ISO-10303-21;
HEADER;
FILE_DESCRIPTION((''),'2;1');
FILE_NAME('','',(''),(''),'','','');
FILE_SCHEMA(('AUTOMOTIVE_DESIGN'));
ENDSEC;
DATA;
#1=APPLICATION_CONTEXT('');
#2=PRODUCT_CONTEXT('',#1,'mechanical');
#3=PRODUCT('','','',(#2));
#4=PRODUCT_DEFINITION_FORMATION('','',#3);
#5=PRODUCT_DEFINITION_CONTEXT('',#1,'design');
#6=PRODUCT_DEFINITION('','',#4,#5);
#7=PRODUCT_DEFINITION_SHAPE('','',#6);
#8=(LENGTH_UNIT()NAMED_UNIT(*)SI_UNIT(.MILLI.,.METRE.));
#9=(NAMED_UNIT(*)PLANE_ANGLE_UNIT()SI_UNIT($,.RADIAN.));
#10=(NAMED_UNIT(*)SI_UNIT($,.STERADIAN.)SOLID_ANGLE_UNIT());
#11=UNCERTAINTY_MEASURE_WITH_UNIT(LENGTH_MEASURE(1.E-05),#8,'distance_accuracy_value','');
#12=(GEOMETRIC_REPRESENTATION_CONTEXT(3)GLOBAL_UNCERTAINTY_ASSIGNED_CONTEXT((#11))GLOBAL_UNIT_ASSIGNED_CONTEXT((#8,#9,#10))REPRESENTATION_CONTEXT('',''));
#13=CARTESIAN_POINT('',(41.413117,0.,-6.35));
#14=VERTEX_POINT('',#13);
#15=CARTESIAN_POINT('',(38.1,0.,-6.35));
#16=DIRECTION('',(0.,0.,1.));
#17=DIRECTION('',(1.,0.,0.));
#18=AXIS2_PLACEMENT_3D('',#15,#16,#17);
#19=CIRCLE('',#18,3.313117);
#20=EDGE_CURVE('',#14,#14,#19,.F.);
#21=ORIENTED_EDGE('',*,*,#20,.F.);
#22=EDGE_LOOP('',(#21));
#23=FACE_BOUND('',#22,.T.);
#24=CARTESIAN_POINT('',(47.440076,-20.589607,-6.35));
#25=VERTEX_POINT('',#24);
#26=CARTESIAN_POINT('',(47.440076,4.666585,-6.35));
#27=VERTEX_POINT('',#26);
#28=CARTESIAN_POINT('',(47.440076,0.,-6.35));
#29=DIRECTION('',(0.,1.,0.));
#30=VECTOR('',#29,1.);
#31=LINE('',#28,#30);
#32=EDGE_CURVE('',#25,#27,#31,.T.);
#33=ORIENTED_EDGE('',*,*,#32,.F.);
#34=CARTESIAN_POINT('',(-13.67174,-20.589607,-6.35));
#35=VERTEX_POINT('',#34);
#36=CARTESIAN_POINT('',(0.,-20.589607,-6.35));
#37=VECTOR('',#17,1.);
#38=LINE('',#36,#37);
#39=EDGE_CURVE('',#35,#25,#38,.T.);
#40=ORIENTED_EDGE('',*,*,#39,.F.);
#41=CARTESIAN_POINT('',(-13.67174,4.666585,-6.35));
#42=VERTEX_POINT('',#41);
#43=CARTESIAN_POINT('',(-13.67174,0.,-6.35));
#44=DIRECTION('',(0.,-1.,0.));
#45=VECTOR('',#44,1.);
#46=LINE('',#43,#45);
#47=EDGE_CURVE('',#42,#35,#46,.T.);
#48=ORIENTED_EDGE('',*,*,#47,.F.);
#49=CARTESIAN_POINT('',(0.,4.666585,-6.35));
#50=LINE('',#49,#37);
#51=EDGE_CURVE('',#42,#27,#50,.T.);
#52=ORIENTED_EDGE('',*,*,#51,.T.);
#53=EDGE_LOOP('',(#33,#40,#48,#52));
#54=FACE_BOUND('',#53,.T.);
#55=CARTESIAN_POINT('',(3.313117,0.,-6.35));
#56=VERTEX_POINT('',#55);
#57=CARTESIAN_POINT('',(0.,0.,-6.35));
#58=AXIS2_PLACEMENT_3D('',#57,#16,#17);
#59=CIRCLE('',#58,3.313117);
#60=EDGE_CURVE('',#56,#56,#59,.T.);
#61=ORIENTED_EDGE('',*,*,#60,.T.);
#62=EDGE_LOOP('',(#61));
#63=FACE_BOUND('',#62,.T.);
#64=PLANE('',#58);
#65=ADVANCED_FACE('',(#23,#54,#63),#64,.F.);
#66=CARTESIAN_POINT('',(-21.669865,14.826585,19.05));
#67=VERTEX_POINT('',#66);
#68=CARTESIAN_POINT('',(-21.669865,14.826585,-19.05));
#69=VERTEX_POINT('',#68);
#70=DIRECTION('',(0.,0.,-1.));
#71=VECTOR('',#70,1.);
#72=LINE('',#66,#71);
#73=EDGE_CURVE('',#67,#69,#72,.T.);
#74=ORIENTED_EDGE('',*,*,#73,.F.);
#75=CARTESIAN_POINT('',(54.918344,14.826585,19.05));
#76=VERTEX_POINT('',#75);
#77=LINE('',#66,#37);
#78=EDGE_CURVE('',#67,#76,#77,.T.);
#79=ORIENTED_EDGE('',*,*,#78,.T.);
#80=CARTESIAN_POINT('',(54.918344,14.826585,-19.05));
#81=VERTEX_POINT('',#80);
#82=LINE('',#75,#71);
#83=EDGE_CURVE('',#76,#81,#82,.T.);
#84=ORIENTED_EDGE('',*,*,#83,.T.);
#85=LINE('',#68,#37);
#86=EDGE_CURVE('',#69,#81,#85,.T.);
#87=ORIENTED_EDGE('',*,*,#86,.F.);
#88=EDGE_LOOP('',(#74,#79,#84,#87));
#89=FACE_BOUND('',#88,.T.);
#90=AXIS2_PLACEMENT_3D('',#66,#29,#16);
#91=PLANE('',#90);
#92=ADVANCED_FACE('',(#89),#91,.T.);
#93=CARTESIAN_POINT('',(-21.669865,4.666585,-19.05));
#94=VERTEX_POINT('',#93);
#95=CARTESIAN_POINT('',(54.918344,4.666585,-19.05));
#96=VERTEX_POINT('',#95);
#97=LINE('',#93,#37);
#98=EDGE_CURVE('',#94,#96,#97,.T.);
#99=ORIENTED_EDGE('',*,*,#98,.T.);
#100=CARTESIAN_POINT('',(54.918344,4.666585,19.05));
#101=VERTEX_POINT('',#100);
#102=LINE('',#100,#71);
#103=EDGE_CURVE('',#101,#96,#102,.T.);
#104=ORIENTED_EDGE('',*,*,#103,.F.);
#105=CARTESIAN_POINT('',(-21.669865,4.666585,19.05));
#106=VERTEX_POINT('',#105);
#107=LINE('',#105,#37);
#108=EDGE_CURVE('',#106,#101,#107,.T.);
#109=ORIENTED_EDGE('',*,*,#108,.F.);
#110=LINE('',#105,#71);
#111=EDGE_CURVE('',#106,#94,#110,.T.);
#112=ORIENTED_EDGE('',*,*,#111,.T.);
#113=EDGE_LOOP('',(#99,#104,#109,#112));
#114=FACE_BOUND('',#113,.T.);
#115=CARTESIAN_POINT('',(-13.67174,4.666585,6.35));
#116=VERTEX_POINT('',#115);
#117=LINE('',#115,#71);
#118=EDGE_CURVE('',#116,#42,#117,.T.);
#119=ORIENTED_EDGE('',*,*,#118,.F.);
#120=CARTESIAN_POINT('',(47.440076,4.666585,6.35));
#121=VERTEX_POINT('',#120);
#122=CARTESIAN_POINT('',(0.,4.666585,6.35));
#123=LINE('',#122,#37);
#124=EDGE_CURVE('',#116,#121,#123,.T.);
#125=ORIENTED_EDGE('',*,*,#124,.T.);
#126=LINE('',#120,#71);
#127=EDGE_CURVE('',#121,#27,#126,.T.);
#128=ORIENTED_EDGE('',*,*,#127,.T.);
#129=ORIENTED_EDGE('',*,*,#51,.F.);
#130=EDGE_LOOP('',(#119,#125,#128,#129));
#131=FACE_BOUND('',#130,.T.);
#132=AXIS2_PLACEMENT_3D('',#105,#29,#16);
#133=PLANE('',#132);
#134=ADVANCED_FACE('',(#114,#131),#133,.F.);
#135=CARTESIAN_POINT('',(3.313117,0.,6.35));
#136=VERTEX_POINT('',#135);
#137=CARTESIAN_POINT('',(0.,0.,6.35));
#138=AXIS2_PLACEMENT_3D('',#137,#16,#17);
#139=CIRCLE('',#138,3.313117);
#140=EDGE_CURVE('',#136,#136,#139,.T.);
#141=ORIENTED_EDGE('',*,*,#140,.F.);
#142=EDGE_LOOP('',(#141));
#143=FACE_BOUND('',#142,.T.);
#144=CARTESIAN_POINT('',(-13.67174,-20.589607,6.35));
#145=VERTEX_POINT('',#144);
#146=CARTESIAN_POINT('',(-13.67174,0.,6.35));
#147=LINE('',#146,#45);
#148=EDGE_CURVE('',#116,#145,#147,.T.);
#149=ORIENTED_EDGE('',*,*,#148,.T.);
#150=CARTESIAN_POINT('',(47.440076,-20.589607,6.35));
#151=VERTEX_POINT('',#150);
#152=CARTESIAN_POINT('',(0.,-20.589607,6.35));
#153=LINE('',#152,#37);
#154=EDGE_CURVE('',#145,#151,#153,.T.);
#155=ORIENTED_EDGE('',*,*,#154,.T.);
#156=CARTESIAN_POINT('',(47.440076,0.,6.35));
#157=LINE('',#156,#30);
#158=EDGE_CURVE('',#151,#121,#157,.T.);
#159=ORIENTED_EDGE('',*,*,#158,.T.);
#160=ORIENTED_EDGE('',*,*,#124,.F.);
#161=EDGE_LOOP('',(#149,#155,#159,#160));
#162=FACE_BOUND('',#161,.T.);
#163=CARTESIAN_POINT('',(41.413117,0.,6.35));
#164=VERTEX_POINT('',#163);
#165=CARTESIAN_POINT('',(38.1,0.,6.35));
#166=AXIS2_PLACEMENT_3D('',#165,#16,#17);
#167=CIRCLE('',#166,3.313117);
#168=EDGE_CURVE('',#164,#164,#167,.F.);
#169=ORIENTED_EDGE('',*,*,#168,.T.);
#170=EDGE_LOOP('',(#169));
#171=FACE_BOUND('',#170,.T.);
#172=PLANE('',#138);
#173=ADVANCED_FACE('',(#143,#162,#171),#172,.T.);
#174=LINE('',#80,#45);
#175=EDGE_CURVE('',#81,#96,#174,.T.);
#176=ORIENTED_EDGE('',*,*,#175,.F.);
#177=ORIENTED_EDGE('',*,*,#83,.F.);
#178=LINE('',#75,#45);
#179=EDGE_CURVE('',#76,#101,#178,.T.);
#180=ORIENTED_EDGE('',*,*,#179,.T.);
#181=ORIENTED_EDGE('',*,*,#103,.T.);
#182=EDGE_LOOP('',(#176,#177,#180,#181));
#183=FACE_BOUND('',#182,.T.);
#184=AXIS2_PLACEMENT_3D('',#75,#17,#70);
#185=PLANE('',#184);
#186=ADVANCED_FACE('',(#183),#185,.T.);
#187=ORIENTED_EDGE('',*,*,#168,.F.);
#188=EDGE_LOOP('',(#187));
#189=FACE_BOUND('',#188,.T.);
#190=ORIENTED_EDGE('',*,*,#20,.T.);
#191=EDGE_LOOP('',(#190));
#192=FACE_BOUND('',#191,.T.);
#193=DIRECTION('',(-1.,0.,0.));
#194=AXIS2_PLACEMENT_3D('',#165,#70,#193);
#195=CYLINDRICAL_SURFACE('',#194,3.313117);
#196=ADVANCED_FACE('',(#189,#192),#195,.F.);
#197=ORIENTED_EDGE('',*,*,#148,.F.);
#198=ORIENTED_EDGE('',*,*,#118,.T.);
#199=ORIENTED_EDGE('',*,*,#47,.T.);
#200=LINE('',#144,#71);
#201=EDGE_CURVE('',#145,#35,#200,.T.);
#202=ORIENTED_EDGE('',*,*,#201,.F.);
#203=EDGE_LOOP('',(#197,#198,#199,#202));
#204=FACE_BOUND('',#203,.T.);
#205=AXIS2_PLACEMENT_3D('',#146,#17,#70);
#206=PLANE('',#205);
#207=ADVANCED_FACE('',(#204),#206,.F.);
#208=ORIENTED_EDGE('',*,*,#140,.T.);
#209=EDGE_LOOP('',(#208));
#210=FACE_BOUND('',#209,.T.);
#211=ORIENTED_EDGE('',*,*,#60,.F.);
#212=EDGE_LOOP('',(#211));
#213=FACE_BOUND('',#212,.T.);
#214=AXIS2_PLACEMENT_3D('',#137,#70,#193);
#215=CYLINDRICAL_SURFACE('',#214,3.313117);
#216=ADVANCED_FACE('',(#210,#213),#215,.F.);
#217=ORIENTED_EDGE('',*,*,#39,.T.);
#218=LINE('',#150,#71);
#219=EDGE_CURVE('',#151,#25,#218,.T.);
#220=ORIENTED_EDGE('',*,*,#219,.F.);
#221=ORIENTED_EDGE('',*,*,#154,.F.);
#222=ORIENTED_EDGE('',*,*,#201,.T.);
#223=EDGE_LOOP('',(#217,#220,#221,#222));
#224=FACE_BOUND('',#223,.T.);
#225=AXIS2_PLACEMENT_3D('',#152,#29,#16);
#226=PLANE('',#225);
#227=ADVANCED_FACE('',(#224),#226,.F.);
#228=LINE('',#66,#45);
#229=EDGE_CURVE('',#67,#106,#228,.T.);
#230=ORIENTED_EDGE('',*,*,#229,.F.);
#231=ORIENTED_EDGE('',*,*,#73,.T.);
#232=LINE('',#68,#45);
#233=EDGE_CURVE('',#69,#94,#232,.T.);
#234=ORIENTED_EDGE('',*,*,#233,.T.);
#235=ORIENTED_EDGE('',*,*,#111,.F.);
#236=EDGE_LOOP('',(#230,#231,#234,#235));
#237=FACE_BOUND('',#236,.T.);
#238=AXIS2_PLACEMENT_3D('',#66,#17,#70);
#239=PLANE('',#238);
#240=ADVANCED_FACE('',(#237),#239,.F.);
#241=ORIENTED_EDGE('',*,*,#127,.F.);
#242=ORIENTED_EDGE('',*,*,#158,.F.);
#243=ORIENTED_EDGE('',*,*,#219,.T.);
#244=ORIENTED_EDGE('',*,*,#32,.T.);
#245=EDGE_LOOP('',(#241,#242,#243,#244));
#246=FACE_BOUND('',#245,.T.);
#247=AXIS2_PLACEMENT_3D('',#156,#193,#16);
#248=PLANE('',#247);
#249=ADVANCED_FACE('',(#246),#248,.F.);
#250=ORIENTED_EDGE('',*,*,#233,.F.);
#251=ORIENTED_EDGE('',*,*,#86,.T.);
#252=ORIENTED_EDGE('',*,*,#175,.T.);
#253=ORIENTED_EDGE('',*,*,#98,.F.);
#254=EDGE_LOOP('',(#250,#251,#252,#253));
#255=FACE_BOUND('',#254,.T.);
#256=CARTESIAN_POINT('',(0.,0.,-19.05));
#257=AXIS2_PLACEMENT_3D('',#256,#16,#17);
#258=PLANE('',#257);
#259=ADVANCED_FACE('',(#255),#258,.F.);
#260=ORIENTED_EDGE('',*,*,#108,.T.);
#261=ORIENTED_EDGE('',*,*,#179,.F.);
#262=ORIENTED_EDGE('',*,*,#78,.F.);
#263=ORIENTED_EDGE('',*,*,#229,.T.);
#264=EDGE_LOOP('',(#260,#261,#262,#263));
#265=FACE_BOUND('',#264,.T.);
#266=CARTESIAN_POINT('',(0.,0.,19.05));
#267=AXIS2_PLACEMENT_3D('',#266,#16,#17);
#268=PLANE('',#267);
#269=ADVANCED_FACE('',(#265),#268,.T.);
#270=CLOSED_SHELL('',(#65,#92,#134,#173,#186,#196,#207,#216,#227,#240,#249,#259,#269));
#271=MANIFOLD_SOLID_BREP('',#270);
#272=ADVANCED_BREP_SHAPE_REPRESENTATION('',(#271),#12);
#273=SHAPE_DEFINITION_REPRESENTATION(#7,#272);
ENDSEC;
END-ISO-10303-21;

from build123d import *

# Parameters (mm, degrees)
SKETCH2_W           = 61.111815401
SKETCH2_H           = 25.256192137
SKETCH2_R           = 3.313116642
BOSS_EXTRUDE6_DEPTH = 6.35
SKETCH2_5_W         = 76.588209157
SKETCH2_5_H         = 10.16
BOSS_EXTRUDE7_DEPTH = 19.05


with BuildPart() as part:
    # Sketch2 → Boss-Extrude6 (new, symmetric)
    with BuildSketch(Plane.XY):
        with Locations((16.884167922, -7.961511284)):
            Rectangle(SKETCH2_W, SKETCH2_H)
        Circle(SKETCH2_R, mode=Mode.SUBTRACT)
        with Locations((38.1, 0)):
            Circle(SKETCH2_R, mode=Mode.SUBTRACT)
    extrude(amount=BOSS_EXTRUDE6_DEPTH, both=True)

    # Sketch2<5> → Boss-Extrude7 (add, symmetric)
    with BuildSketch(Plane.XY):
        with Locations((16.624239124, 9.746584785)):
            Rectangle(SKETCH2_5_W, SKETCH2_5_H)
    extrude(amount=BOSS_EXTRUDE7_DEPTH, both=True)


solid = part.part
